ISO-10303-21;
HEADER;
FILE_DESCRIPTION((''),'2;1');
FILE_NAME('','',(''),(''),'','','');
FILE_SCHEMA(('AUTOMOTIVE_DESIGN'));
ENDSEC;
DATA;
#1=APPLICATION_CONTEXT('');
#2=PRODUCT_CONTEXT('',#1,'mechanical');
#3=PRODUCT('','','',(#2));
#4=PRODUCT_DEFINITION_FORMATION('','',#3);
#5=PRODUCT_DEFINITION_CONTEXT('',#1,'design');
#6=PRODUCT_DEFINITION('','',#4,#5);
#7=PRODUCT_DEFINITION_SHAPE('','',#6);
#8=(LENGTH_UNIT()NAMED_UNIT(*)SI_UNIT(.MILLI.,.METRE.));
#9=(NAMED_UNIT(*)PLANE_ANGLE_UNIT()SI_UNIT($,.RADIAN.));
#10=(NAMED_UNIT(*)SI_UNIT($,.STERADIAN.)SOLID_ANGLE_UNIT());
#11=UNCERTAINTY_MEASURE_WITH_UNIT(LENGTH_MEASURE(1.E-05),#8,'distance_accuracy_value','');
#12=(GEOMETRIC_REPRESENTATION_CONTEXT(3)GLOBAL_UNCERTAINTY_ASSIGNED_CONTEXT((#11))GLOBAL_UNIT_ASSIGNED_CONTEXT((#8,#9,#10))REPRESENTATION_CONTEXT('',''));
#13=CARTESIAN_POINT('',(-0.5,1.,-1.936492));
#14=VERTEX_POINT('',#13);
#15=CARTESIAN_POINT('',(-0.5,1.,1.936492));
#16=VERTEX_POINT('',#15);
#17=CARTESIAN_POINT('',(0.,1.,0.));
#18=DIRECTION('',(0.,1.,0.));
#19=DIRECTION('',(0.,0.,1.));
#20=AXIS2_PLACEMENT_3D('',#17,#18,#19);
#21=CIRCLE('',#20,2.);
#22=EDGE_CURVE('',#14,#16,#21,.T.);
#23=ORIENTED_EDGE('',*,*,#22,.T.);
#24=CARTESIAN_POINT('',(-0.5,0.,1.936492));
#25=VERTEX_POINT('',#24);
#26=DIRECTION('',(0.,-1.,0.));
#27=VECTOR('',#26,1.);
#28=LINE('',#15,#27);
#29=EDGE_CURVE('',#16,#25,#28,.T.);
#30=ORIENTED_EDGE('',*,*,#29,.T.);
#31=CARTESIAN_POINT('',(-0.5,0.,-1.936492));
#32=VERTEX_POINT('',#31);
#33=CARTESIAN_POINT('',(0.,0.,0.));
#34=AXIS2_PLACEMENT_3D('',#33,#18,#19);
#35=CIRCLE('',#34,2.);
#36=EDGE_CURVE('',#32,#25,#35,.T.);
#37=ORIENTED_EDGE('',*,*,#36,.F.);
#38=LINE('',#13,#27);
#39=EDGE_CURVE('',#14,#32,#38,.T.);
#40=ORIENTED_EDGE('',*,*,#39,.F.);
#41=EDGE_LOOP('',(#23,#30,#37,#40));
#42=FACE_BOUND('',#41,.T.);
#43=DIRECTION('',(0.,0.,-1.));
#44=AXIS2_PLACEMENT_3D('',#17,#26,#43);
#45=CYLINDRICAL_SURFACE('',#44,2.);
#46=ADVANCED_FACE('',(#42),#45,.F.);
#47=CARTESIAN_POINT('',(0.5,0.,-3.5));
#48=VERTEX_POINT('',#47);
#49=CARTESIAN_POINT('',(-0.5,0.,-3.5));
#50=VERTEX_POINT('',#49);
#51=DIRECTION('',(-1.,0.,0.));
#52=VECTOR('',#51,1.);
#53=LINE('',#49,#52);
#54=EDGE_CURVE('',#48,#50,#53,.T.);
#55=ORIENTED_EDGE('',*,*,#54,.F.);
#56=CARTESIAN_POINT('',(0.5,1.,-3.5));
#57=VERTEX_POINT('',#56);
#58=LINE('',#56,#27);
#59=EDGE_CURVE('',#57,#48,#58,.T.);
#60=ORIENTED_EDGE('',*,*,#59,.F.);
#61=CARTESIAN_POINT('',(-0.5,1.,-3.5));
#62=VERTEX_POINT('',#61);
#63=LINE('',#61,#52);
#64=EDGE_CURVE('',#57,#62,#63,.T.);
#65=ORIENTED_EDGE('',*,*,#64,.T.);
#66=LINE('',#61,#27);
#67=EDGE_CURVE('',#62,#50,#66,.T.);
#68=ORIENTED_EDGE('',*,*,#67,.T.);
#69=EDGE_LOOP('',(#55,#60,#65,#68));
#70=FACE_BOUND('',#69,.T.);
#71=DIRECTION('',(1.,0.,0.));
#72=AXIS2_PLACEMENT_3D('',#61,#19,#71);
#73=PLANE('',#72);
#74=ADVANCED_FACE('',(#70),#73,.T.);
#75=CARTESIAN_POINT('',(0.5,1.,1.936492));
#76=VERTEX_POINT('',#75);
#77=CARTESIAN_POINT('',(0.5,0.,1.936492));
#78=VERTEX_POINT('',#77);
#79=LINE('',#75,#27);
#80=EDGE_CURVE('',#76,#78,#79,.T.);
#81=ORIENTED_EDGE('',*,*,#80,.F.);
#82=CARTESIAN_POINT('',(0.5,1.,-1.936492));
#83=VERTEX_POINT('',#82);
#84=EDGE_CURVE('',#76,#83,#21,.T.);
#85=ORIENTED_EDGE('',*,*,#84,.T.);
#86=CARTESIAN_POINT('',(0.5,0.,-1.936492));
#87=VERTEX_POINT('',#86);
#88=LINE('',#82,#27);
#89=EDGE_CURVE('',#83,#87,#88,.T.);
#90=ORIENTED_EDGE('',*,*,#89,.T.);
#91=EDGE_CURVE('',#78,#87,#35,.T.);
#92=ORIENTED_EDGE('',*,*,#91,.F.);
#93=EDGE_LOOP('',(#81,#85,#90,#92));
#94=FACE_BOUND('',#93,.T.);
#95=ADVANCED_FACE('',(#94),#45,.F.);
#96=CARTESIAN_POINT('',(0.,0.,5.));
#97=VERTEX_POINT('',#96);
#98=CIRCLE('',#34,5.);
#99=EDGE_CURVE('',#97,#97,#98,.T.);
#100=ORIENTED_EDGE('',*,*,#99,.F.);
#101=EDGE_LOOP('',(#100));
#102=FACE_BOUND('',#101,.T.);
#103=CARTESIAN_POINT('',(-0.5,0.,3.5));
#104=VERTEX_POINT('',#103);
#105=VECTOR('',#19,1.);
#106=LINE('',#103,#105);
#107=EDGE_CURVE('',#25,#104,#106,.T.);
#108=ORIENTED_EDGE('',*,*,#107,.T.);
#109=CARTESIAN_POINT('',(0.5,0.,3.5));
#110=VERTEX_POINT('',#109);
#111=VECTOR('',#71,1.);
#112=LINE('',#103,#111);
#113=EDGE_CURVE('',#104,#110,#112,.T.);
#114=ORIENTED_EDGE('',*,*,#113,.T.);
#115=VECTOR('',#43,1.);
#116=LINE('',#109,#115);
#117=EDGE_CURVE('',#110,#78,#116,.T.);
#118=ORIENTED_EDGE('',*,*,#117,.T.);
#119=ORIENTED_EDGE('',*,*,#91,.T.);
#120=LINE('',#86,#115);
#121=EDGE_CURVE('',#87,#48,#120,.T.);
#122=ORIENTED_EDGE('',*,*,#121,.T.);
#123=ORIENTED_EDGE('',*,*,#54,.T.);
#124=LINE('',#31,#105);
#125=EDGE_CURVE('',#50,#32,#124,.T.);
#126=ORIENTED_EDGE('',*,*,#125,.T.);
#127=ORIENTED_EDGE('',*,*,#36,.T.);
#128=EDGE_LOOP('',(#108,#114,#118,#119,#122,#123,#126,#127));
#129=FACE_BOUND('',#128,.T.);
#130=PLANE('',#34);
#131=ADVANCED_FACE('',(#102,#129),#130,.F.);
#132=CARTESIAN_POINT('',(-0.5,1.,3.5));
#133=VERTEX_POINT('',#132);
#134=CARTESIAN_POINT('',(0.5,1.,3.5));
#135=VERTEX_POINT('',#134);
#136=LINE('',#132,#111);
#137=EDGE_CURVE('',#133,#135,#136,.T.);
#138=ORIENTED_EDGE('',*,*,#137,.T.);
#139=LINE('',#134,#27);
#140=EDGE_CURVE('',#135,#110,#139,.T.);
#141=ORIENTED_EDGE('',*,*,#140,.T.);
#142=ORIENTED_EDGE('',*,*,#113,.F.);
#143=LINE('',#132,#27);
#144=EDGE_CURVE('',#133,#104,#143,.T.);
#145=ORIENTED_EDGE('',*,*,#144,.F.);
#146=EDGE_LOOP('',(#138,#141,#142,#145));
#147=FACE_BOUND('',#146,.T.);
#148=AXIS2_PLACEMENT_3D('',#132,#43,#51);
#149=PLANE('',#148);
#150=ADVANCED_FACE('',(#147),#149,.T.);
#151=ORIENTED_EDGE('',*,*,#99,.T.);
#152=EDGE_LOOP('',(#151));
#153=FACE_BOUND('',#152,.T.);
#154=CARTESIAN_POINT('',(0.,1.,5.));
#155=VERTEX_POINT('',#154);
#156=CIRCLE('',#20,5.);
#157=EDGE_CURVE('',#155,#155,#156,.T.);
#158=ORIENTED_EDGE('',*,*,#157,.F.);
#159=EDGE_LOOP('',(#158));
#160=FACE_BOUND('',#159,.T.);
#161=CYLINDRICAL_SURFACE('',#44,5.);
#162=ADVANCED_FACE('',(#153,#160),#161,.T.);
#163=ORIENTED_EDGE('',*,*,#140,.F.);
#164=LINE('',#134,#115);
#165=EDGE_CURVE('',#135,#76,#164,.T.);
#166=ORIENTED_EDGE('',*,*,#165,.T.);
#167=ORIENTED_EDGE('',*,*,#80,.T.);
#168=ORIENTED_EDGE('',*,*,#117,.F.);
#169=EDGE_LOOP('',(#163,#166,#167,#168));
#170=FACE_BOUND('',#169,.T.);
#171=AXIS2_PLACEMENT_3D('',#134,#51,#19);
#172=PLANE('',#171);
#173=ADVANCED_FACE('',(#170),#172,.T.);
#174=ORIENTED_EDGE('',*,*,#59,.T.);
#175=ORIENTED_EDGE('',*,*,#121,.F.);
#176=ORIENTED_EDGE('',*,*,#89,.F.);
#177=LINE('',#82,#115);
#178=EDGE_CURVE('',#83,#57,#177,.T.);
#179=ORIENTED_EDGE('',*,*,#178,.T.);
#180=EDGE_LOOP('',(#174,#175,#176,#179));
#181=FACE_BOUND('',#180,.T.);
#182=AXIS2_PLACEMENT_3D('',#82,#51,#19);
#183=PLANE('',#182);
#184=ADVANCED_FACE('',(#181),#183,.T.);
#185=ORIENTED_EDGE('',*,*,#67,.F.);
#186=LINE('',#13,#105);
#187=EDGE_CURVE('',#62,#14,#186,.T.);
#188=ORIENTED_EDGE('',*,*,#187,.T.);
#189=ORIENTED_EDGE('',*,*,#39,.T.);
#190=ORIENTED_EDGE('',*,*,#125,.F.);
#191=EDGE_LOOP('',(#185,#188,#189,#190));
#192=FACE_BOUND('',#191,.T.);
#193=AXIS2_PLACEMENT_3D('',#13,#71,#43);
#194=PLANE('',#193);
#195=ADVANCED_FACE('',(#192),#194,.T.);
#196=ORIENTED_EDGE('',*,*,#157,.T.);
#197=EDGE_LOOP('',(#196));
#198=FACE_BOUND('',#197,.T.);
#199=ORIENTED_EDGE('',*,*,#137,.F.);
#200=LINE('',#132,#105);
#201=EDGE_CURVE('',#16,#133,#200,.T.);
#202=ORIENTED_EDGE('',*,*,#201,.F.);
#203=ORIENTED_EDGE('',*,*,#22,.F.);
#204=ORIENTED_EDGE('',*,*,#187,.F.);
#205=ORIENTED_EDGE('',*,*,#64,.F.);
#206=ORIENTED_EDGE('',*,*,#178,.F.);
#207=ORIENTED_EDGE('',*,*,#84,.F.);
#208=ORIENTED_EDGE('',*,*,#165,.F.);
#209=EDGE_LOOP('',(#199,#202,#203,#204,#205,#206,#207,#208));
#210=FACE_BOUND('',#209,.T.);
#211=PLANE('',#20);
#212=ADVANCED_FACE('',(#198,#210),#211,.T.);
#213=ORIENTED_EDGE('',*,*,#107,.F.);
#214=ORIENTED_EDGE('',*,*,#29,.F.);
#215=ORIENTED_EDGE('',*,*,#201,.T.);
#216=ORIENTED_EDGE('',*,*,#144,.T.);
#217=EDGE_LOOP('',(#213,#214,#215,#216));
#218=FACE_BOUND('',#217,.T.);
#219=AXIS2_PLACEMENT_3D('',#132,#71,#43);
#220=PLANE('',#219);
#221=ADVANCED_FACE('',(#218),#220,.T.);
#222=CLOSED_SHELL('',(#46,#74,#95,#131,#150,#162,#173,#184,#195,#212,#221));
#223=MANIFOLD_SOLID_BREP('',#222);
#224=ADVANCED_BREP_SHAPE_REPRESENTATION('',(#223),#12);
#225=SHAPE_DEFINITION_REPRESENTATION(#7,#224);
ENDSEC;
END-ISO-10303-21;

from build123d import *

# Parameters (mm, degrees)
SKETCH1_R           = 5
BOSS_EXTRUDE1_DEPTH = 1


with BuildPart() as part:
    # Sketch1 → Boss-Extrude1 (new body)
    with BuildSketch(Plane(origin=(0, 0, 0), x_dir=(1, 0, 0), z_dir=(0, 1, 0))):
        with Locations(Location((0, 0, 0), (0, 0, 270))):
            Circle(SKETCH1_R)
        with BuildLine():
            Line((0.5, 1.936491673), (0.5, 3.5))
            Line((0.5, 3.5), (-0.5, 3.5))
            Line((-0.5, 3.5), (-0.5, 1.936491673))
            ThreePointArc((-0.5, 1.936491673), (-2, 0), (-0.5, -1.936491673))
            Line((-0.5, -1.936491673), (-0.5, -3.5))
            Line((-0.5, -3.5), (0.5, -3.5))
            Line((0.5, -3.5), (0.5, -1.936491673))
            ThreePointArc((0.5, -1.936491673), (2, 0), (0.5, 1.936491673))
        make_face(mode=Mode.SUBTRACT)
    extrude(amount=BOSS_EXTRUDE1_DEPTH)


solid = part.part
